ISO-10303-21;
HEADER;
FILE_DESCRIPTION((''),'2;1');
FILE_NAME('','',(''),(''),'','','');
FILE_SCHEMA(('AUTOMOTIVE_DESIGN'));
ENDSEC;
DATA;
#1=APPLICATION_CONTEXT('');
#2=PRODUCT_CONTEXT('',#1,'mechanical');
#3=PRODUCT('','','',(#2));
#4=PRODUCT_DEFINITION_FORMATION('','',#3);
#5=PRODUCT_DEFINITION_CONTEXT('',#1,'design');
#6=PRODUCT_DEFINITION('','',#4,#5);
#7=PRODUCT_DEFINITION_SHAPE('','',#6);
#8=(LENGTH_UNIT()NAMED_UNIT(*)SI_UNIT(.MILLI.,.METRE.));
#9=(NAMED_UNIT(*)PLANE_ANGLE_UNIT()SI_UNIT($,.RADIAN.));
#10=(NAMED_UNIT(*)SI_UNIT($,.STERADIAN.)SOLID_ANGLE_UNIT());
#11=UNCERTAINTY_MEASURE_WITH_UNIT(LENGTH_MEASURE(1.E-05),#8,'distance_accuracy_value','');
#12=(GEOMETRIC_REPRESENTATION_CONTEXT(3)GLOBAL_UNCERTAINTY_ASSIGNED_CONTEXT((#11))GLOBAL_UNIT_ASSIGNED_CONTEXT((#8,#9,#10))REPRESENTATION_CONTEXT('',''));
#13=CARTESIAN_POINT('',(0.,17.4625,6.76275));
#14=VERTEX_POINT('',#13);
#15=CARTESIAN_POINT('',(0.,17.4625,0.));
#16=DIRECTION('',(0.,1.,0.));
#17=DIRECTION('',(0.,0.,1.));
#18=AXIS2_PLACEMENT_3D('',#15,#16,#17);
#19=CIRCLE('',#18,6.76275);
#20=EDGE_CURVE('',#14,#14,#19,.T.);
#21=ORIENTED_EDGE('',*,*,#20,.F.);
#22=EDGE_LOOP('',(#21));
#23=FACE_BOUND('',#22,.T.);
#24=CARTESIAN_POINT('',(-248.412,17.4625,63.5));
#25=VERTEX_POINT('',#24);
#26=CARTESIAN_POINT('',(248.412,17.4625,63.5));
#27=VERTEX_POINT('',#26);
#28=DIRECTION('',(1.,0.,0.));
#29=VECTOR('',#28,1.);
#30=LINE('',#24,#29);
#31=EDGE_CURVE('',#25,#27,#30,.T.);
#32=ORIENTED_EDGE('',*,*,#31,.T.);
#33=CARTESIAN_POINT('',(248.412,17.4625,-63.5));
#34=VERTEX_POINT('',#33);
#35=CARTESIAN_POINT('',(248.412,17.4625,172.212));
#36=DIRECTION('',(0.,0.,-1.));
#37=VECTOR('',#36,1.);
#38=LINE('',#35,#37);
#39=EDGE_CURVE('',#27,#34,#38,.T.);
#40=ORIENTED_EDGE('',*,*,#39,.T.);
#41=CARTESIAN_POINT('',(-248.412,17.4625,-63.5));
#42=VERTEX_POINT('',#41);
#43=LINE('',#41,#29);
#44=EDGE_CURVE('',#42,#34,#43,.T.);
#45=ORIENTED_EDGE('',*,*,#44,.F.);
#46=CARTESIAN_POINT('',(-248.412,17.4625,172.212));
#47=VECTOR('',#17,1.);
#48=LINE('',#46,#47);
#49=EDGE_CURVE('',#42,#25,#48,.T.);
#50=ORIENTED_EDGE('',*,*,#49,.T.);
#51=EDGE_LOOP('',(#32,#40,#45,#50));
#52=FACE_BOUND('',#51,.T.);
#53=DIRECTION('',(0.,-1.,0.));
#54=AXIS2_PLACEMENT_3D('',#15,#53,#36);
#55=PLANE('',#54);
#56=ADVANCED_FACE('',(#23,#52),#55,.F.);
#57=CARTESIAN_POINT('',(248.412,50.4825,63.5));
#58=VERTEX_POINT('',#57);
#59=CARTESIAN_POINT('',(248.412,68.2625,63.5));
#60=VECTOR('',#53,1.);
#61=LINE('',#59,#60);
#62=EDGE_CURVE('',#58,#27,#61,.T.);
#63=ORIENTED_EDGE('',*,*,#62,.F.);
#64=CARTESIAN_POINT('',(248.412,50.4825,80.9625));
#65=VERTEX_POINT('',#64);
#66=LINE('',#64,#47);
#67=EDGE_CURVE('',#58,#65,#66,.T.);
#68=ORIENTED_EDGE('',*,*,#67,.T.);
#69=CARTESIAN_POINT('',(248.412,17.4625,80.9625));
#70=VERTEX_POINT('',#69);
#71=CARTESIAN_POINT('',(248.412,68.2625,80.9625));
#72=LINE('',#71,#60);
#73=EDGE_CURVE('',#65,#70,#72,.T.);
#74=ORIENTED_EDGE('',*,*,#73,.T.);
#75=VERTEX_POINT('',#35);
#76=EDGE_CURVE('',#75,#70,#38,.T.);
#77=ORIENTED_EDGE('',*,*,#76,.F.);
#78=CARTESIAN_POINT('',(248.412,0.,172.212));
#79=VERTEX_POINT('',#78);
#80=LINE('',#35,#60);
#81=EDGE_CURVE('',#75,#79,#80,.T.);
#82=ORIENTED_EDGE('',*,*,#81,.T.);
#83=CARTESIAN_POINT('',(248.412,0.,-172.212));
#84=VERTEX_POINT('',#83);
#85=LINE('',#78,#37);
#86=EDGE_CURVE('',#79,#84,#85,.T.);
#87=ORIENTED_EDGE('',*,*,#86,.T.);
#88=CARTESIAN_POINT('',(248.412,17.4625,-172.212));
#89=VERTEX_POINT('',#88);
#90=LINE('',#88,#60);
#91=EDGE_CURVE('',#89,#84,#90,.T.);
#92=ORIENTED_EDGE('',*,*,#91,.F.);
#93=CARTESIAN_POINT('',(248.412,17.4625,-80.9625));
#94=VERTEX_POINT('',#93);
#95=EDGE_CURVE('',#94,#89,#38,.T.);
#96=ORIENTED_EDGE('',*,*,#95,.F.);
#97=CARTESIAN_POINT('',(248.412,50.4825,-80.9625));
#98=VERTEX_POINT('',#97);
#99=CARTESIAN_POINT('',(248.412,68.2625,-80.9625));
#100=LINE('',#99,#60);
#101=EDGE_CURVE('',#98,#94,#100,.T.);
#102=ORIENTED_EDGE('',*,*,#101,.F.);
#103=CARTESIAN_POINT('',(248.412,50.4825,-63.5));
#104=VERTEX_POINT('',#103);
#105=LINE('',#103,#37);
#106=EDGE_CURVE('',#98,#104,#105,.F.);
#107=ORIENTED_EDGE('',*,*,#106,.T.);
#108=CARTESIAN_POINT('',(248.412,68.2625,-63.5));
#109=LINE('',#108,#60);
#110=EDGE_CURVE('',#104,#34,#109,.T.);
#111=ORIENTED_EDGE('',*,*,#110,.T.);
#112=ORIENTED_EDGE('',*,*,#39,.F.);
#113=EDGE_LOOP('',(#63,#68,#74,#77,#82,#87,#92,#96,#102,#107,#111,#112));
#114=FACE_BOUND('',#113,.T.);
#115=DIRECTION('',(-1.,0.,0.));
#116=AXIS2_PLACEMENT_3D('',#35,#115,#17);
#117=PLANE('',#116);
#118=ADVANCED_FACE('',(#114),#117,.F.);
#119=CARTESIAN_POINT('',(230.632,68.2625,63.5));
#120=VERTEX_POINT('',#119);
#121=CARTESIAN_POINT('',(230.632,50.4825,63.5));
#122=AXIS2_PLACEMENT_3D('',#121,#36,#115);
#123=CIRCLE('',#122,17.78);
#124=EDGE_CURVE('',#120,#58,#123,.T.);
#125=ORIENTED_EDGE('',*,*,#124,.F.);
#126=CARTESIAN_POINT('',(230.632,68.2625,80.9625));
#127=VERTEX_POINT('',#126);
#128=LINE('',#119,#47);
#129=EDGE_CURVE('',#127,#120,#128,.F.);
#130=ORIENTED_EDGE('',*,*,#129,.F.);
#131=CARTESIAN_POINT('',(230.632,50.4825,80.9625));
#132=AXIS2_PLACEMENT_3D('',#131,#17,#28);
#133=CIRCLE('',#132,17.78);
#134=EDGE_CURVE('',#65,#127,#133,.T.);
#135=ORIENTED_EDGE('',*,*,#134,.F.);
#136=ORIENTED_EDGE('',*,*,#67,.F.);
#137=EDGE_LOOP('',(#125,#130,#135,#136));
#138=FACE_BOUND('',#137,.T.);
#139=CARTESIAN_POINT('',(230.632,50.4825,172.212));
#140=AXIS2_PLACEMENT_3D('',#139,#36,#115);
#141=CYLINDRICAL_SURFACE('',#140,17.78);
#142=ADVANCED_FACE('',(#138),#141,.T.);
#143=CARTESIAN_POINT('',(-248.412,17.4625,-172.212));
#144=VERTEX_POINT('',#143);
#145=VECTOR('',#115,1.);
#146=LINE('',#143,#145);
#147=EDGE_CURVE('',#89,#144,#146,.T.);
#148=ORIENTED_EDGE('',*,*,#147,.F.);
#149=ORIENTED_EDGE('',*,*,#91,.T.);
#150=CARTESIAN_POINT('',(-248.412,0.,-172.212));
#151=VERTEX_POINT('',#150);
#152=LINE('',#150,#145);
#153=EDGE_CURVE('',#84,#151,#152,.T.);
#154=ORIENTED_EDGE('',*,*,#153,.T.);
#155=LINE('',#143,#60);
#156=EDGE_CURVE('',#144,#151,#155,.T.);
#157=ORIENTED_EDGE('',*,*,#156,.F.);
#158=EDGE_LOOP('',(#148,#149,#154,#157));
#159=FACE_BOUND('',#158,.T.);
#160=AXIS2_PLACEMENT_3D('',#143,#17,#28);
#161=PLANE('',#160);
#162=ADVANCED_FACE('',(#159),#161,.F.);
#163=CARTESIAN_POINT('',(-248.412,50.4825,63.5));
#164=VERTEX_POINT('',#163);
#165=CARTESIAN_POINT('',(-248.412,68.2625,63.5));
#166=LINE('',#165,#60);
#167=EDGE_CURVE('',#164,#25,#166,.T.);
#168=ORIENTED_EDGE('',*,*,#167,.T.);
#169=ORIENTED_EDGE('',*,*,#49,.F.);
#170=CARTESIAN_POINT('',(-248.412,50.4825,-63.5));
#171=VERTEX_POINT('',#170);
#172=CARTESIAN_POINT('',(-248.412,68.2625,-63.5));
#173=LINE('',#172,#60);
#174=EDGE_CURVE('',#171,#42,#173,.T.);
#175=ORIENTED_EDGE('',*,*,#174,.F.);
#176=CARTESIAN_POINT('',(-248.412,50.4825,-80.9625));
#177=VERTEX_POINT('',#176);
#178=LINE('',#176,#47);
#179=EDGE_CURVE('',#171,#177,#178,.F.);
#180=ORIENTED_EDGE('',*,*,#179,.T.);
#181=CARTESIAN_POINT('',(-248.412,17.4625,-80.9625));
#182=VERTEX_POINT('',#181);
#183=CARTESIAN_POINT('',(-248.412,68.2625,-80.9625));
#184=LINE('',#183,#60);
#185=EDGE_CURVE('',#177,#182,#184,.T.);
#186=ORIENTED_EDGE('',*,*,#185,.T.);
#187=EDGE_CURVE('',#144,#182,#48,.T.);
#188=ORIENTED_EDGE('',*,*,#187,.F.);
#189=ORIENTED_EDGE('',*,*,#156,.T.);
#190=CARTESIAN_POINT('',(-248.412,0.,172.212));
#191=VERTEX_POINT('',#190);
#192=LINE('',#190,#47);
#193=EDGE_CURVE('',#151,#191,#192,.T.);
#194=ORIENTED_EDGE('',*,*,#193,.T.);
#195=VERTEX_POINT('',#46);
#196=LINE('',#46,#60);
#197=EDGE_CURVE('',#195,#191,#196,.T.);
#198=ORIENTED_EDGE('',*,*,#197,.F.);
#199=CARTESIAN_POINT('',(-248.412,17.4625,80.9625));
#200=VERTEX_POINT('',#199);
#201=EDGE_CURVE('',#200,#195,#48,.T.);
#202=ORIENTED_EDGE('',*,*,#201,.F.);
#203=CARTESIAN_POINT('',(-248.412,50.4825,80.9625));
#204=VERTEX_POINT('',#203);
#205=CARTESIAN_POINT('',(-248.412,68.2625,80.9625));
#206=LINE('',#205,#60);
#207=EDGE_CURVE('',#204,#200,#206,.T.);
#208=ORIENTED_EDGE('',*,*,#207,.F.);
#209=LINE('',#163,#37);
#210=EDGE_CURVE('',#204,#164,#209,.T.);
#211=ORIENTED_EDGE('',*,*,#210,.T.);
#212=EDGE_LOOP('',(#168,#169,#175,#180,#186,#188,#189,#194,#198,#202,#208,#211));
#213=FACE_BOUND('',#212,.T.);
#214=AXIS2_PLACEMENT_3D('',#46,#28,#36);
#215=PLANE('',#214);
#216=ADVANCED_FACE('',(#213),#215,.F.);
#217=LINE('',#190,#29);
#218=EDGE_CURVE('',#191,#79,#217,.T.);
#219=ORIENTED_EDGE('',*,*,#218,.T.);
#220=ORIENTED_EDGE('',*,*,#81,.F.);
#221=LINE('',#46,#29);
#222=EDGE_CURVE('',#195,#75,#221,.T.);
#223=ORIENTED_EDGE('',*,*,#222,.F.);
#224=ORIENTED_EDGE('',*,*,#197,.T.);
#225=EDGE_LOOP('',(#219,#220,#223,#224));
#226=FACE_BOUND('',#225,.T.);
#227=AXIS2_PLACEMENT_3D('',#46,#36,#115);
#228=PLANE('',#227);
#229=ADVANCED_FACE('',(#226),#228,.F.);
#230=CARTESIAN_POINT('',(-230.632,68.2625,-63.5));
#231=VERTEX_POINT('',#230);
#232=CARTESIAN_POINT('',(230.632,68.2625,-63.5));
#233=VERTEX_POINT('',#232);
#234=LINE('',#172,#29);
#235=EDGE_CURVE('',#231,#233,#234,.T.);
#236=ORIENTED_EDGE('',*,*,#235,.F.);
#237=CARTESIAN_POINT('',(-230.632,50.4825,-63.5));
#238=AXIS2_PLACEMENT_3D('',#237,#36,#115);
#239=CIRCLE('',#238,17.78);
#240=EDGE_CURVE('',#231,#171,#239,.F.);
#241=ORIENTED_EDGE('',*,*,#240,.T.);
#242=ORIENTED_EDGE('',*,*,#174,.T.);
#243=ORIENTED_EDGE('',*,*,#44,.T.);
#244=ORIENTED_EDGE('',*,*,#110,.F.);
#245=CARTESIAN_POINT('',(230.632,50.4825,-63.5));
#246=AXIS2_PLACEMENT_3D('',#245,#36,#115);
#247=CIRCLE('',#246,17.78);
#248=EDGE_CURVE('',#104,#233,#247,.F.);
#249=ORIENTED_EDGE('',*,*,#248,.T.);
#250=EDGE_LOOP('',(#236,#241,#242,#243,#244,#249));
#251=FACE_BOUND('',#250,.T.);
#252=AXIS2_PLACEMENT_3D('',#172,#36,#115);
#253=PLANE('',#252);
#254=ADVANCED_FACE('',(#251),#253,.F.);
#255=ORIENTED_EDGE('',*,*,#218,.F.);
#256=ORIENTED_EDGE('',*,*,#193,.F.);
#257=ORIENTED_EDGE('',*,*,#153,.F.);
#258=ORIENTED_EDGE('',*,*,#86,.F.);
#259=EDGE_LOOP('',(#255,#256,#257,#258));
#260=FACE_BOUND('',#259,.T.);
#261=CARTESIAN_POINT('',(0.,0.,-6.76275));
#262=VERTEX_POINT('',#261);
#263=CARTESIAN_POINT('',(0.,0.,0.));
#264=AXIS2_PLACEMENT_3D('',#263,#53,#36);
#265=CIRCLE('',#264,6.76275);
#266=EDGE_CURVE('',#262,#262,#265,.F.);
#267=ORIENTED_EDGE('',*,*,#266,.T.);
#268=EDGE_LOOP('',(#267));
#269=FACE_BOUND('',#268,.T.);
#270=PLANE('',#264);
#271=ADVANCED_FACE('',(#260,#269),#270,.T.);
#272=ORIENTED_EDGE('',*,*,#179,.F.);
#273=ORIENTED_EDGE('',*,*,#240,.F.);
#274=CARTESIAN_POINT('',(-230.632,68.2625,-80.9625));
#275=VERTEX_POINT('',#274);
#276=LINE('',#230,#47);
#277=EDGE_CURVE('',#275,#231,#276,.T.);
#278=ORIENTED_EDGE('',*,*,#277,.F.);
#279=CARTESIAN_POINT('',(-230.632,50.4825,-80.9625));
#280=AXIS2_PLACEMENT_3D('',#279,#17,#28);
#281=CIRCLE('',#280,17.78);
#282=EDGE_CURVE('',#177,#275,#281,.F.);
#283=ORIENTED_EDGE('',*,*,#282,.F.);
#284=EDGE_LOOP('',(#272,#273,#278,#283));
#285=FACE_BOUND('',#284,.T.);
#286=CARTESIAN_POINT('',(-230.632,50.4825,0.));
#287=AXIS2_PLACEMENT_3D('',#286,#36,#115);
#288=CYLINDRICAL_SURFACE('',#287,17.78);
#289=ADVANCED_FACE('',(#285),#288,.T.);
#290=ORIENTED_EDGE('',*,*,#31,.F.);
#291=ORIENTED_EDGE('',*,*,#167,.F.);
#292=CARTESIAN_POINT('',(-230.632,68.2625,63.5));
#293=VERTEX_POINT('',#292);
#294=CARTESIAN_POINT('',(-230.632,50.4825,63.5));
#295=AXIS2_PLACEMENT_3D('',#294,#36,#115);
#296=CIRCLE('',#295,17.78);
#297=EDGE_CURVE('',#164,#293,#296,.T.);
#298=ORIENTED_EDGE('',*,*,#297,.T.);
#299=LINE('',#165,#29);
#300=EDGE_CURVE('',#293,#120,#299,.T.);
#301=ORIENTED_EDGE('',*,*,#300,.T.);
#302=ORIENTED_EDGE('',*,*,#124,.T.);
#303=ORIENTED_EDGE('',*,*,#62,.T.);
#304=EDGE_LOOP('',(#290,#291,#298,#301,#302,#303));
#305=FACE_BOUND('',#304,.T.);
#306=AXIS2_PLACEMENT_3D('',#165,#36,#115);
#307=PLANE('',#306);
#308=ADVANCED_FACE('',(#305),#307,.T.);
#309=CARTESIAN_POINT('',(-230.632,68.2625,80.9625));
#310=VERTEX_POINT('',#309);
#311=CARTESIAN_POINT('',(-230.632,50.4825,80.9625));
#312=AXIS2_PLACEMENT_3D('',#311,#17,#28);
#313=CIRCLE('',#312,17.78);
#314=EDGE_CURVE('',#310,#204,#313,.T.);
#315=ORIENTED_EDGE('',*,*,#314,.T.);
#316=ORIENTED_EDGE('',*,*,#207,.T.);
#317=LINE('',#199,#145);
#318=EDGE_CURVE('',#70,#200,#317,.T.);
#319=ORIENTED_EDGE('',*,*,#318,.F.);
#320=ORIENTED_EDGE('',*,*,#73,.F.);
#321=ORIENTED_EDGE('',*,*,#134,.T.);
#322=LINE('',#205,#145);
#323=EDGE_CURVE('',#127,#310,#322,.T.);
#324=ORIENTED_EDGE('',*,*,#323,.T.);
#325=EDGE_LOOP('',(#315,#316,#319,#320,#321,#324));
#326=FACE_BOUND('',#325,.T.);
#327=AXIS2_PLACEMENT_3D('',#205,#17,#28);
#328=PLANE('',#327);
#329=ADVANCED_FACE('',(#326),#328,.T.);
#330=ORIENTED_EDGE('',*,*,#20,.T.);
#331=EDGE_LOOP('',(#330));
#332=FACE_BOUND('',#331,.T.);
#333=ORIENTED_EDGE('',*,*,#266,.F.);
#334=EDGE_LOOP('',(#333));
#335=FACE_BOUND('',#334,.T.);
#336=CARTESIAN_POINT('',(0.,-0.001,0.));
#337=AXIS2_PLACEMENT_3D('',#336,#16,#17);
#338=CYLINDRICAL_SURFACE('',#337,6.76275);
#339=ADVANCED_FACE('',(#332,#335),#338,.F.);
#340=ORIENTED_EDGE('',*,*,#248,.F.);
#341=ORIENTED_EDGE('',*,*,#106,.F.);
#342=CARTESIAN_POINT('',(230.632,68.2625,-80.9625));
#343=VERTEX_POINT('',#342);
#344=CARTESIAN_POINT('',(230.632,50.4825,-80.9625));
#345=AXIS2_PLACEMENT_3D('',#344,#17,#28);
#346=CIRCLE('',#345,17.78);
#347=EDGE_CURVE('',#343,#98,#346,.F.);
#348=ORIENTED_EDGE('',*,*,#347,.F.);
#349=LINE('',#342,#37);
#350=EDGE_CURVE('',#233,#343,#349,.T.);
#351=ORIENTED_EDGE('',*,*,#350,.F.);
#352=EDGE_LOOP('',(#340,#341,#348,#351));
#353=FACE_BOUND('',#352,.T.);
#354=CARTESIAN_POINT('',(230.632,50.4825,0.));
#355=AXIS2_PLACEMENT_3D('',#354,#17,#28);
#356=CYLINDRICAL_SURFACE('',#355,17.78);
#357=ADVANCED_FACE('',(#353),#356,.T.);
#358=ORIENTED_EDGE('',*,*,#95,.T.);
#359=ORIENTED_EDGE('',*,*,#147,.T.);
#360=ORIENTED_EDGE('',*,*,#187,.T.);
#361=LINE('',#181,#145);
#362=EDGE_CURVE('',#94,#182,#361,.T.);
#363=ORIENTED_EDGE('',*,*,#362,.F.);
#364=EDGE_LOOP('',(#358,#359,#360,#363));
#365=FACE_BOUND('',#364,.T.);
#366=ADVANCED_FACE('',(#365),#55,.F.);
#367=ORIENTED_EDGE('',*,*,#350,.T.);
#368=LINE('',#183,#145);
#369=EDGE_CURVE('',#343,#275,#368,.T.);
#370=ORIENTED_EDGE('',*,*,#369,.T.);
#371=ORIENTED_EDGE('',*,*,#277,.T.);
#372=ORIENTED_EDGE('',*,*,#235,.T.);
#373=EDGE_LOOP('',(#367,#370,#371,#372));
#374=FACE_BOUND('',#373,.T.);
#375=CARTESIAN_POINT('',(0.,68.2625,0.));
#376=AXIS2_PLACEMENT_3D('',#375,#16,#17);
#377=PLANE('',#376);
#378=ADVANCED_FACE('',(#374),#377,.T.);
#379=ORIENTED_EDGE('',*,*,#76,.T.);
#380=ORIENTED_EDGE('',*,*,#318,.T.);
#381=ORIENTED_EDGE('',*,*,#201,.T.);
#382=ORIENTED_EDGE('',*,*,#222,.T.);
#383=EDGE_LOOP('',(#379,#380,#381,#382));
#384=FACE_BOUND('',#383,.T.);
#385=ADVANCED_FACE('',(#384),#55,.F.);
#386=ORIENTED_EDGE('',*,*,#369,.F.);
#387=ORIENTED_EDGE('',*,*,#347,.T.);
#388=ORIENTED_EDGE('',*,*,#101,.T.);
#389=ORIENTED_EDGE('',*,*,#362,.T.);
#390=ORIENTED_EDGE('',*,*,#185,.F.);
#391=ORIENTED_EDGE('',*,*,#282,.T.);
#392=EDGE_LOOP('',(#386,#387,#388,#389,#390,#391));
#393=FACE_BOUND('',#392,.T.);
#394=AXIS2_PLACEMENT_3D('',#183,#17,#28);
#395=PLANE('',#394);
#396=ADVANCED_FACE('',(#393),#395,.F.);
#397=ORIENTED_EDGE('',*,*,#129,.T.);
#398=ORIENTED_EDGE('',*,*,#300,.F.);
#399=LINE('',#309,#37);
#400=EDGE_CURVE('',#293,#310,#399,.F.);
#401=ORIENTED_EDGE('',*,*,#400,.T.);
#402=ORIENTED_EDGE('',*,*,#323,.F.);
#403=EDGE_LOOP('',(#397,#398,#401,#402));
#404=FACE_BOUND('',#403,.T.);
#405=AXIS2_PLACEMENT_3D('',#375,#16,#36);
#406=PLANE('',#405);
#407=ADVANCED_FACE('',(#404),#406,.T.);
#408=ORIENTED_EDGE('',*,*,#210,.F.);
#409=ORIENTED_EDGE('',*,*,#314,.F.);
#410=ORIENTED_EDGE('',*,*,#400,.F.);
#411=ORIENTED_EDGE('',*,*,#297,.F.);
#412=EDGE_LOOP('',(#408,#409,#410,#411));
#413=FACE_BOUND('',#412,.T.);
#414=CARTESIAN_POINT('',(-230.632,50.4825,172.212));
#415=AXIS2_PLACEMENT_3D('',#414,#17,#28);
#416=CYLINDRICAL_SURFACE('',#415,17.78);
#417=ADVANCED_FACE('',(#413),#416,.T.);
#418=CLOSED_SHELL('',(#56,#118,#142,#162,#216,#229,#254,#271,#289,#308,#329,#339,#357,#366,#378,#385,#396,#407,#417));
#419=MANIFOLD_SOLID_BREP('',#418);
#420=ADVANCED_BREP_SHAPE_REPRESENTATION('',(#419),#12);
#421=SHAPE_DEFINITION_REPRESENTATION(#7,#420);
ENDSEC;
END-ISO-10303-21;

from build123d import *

# Parameters (mm, degrees)
SKETCH1_W           = 496.824
SKETCH1_H           = 344.424
BOSS_EXTRUDE1_DEPTH = 17.4625
CUT_EXTRUDE1_REACH  = 19.462
SKETCH3_R           = 6.76275
SKETCH5_W           = 496.824
SKETCH5_H           = 17.4625
BOSS_EXTRUDE2_DEPTH = 50.8
FILLET2_R           = 17.78


with BuildPart() as part:
    # Sketch1 → Boss-Extrude1 (new body)
    with BuildSketch(Plane(origin=(0, 0, 0), x_dir=(1, 0, 0), z_dir=(0, 1, 0))):
        Rectangle(SKETCH1_W, SKETCH1_H)
    extrude(amount=BOSS_EXTRUDE1_DEPTH)

    # Sketch3 → Cut-Extrude1 (cut, up to next)
    with BuildSketch(Plane(origin=(0, 17.4625, 0), x_dir=(1, 0, 0), z_dir=(0, 1, 0)), mode=Mode.PRIVATE) as cut_extrude1_sk1:
        Circle(SKETCH3_R)
    cut_extrude1_tool1 = extrude(cut_extrude1_sk1.sketch, amount=-CUT_EXTRUDE1_REACH, mode=Mode.PRIVATE) & part.part
    add(cut_extrude1_tool1.solids().sort_by_distance((0, 17.4625, 0))[0], mode=Mode.SUBTRACT)

    # Sketch5 → Boss-Extrude2 (add)
    with BuildSketch(Plane(origin=(0, 17.4625, 0), x_dir=(1, 0, 0), z_dir=(0, 1, 0))):
        with Locations((0, 72.23125)):
            Rectangle(SKETCH5_W, SKETCH5_H)
    boss_extrude2 = extrude(amount=BOSS_EXTRUDE2_DEPTH)

    # Mirror1: Boss-Extrude2 across plane
    add(boss_extrude2.mirror(Plane.XY))

    # Fillet2
    fillet2_edges = [part.edges().sort_by_distance(p)[0] for p in [
        (-248.412, 68.2625, -72.23125),
        (248.412, 68.2625, -72.23125),
        (-248.412, 68.2625, 72.23125),
        (248.412, 68.2625, 72.23125),
    ]]
    fillet(fillet2_edges, radius=FILLET2_R)


solid = part.part
